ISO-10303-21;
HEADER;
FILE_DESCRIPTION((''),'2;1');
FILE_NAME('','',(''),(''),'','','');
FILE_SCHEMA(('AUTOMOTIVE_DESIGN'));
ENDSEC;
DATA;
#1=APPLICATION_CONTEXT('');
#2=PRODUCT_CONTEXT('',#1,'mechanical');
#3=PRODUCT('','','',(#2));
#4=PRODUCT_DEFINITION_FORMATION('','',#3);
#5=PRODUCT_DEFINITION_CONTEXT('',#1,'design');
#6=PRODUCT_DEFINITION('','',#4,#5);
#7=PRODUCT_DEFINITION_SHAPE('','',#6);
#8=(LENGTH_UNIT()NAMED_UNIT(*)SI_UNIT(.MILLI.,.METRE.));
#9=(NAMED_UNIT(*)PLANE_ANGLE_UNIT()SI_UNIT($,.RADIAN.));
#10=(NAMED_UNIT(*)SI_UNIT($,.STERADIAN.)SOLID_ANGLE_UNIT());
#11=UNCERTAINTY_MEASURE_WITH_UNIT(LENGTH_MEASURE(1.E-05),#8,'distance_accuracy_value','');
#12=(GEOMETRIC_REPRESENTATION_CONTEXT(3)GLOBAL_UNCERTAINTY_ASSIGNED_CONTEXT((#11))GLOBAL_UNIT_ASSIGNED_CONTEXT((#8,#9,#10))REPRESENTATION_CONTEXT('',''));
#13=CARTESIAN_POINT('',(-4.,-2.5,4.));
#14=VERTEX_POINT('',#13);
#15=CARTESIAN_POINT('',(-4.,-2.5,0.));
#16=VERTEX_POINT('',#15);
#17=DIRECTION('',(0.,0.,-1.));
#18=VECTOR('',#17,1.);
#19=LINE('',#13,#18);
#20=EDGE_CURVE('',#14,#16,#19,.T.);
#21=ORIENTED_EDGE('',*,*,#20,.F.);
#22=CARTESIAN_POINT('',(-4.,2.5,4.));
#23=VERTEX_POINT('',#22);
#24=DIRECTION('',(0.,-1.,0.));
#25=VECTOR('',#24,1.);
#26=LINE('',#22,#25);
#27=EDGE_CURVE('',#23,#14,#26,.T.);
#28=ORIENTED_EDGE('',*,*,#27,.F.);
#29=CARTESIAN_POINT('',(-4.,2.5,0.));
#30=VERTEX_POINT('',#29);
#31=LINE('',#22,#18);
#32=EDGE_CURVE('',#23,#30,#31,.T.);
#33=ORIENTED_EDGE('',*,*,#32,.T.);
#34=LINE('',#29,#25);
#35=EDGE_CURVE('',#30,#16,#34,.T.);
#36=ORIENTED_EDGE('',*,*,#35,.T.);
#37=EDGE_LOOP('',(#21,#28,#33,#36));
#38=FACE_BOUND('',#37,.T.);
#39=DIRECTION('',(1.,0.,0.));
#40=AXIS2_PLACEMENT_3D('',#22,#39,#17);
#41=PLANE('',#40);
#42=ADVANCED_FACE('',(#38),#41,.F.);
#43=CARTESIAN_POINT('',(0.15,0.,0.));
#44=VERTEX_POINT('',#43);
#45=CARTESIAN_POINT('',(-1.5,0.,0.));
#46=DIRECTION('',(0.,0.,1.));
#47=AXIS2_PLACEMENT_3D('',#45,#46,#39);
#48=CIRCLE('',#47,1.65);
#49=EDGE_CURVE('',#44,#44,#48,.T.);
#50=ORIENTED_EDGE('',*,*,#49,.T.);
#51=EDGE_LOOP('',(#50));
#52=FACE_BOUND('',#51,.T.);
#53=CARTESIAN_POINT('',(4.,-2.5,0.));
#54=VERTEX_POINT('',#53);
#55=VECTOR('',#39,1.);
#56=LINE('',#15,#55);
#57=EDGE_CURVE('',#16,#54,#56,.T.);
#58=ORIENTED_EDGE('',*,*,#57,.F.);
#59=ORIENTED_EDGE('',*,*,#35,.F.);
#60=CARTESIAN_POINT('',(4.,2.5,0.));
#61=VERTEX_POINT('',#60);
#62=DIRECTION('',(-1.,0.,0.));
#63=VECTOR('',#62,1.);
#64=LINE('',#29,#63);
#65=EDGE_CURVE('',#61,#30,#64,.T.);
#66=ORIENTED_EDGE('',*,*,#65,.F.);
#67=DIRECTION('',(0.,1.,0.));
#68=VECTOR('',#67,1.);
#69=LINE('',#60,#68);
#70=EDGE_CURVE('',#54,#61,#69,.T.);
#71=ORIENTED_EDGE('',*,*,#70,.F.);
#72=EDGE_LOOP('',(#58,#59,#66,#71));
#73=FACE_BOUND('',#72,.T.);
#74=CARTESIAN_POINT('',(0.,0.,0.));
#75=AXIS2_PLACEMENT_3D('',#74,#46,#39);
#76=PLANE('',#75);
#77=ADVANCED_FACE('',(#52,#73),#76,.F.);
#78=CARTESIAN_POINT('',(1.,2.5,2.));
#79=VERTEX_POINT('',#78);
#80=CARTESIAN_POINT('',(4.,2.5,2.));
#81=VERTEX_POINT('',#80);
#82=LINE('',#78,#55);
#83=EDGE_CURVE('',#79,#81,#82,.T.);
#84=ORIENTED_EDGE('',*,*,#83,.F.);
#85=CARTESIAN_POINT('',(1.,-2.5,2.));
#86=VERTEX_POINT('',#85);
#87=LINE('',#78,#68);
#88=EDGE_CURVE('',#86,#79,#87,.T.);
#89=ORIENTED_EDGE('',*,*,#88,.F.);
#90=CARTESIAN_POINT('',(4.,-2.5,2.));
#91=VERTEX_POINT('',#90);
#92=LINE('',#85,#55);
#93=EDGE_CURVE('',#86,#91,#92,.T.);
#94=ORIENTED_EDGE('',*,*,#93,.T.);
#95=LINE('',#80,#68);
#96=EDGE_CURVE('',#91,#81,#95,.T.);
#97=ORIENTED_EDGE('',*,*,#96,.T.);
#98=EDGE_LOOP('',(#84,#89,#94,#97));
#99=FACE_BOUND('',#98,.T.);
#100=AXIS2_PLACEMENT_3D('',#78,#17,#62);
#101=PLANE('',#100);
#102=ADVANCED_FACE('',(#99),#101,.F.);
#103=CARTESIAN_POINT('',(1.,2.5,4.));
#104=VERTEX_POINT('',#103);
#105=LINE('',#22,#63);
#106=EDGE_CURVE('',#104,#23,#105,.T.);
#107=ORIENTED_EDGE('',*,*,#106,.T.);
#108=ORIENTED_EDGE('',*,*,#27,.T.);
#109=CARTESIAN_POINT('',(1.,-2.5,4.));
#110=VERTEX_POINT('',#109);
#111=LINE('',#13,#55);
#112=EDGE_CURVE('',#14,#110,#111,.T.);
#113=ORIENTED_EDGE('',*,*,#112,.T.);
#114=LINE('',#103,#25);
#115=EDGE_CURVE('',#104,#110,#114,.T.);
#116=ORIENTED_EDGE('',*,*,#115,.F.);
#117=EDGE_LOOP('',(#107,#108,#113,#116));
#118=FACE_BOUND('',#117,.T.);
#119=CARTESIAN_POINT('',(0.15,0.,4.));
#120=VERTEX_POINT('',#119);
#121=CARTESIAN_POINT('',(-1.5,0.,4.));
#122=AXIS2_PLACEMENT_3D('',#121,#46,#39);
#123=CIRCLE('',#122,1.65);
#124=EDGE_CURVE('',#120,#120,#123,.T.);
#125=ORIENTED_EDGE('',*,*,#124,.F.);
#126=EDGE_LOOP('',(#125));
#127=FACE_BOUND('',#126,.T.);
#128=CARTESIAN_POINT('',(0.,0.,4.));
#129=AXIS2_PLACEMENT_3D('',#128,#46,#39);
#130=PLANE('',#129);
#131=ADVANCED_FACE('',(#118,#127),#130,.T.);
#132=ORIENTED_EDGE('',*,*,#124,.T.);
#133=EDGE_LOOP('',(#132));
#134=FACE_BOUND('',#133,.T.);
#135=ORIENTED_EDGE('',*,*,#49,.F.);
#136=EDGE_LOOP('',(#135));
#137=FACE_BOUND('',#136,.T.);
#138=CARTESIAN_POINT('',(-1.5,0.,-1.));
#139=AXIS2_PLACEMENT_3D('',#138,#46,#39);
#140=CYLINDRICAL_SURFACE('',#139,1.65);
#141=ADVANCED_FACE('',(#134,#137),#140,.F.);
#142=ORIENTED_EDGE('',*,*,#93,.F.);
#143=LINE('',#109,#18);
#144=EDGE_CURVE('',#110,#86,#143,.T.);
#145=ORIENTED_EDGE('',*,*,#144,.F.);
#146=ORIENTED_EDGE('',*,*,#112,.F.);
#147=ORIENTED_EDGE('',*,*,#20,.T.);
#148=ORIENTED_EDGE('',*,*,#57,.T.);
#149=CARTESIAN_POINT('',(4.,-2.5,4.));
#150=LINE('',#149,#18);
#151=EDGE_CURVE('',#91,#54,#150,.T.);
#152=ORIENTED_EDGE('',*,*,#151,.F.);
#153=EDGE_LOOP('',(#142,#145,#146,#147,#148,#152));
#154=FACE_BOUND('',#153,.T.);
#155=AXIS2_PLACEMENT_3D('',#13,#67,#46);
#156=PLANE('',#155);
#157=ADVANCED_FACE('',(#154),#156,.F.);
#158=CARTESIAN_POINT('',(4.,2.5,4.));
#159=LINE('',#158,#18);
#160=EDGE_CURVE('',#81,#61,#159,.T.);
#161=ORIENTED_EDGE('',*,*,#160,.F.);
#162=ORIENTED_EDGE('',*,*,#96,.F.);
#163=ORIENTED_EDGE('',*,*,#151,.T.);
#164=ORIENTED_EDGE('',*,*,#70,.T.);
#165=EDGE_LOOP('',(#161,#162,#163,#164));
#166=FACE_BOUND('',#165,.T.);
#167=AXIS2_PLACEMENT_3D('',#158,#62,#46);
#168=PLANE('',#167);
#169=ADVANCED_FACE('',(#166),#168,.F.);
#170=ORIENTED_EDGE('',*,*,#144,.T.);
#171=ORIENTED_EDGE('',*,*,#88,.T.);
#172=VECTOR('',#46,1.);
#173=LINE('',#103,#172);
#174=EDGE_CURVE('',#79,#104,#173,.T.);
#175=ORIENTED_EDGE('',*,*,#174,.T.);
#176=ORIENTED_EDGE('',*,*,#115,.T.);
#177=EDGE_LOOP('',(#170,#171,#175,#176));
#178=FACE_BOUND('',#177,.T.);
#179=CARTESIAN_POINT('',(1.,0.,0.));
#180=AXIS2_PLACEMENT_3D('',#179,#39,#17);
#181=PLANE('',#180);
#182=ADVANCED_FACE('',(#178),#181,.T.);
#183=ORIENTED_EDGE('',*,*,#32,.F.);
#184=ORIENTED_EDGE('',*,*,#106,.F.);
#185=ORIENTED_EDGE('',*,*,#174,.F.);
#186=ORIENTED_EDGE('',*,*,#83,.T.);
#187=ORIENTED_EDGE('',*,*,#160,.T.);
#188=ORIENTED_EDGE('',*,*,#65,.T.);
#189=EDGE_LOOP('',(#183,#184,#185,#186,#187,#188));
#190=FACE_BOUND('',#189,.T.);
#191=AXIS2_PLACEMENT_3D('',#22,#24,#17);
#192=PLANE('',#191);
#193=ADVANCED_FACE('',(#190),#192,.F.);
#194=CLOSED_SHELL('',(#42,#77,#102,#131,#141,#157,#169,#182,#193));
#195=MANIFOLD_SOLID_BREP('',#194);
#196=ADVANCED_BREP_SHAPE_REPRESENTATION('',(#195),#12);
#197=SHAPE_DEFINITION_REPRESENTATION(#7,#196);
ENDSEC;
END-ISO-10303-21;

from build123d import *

# Parameters (mm, degrees)
SKETCH_1_W          = 8
SKETCH_1_H          = 5
EXTRUDE_1_DEPTH     = 4
SKETCH_2_W          = 2
SKETCH_2_H          = 5
CUT_EXTRUDE_1_DEPTH = 3
SKETCH_3_R          = 1.65
CUT_EXTRUDE_2_DEPTH = 5


with BuildPart() as part:
    # Эскиз1 → Бобышка-Вытянуть1 (new body)
    with BuildSketch(Plane.XY):
        Rectangle(SKETCH_1_W, SKETCH_1_H)
    extrude(amount=EXTRUDE_1_DEPTH)

    # Эскиз2 → Вырез-Вытянуть1 (cut)
    with BuildSketch(Plane(origin=(4, 0, 0), x_dir=(0, 0, -1), z_dir=(1, 0, 0))):
        with Locations((-3, 0)):
            Rectangle(SKETCH_2_W, SKETCH_2_H)
    extrude(amount=-CUT_EXTRUDE_1_DEPTH, mode=Mode.SUBTRACT)

    # Эскиз3 → Вырез-Вытянуть2 (cut)
    with BuildSketch(Plane.XY.offset(4)):
        with Locations((-1.5, 0)):
            Circle(SKETCH_3_R)
    extrude(amount=-CUT_EXTRUDE_2_DEPTH, mode=Mode.SUBTRACT)


solid = part.part
